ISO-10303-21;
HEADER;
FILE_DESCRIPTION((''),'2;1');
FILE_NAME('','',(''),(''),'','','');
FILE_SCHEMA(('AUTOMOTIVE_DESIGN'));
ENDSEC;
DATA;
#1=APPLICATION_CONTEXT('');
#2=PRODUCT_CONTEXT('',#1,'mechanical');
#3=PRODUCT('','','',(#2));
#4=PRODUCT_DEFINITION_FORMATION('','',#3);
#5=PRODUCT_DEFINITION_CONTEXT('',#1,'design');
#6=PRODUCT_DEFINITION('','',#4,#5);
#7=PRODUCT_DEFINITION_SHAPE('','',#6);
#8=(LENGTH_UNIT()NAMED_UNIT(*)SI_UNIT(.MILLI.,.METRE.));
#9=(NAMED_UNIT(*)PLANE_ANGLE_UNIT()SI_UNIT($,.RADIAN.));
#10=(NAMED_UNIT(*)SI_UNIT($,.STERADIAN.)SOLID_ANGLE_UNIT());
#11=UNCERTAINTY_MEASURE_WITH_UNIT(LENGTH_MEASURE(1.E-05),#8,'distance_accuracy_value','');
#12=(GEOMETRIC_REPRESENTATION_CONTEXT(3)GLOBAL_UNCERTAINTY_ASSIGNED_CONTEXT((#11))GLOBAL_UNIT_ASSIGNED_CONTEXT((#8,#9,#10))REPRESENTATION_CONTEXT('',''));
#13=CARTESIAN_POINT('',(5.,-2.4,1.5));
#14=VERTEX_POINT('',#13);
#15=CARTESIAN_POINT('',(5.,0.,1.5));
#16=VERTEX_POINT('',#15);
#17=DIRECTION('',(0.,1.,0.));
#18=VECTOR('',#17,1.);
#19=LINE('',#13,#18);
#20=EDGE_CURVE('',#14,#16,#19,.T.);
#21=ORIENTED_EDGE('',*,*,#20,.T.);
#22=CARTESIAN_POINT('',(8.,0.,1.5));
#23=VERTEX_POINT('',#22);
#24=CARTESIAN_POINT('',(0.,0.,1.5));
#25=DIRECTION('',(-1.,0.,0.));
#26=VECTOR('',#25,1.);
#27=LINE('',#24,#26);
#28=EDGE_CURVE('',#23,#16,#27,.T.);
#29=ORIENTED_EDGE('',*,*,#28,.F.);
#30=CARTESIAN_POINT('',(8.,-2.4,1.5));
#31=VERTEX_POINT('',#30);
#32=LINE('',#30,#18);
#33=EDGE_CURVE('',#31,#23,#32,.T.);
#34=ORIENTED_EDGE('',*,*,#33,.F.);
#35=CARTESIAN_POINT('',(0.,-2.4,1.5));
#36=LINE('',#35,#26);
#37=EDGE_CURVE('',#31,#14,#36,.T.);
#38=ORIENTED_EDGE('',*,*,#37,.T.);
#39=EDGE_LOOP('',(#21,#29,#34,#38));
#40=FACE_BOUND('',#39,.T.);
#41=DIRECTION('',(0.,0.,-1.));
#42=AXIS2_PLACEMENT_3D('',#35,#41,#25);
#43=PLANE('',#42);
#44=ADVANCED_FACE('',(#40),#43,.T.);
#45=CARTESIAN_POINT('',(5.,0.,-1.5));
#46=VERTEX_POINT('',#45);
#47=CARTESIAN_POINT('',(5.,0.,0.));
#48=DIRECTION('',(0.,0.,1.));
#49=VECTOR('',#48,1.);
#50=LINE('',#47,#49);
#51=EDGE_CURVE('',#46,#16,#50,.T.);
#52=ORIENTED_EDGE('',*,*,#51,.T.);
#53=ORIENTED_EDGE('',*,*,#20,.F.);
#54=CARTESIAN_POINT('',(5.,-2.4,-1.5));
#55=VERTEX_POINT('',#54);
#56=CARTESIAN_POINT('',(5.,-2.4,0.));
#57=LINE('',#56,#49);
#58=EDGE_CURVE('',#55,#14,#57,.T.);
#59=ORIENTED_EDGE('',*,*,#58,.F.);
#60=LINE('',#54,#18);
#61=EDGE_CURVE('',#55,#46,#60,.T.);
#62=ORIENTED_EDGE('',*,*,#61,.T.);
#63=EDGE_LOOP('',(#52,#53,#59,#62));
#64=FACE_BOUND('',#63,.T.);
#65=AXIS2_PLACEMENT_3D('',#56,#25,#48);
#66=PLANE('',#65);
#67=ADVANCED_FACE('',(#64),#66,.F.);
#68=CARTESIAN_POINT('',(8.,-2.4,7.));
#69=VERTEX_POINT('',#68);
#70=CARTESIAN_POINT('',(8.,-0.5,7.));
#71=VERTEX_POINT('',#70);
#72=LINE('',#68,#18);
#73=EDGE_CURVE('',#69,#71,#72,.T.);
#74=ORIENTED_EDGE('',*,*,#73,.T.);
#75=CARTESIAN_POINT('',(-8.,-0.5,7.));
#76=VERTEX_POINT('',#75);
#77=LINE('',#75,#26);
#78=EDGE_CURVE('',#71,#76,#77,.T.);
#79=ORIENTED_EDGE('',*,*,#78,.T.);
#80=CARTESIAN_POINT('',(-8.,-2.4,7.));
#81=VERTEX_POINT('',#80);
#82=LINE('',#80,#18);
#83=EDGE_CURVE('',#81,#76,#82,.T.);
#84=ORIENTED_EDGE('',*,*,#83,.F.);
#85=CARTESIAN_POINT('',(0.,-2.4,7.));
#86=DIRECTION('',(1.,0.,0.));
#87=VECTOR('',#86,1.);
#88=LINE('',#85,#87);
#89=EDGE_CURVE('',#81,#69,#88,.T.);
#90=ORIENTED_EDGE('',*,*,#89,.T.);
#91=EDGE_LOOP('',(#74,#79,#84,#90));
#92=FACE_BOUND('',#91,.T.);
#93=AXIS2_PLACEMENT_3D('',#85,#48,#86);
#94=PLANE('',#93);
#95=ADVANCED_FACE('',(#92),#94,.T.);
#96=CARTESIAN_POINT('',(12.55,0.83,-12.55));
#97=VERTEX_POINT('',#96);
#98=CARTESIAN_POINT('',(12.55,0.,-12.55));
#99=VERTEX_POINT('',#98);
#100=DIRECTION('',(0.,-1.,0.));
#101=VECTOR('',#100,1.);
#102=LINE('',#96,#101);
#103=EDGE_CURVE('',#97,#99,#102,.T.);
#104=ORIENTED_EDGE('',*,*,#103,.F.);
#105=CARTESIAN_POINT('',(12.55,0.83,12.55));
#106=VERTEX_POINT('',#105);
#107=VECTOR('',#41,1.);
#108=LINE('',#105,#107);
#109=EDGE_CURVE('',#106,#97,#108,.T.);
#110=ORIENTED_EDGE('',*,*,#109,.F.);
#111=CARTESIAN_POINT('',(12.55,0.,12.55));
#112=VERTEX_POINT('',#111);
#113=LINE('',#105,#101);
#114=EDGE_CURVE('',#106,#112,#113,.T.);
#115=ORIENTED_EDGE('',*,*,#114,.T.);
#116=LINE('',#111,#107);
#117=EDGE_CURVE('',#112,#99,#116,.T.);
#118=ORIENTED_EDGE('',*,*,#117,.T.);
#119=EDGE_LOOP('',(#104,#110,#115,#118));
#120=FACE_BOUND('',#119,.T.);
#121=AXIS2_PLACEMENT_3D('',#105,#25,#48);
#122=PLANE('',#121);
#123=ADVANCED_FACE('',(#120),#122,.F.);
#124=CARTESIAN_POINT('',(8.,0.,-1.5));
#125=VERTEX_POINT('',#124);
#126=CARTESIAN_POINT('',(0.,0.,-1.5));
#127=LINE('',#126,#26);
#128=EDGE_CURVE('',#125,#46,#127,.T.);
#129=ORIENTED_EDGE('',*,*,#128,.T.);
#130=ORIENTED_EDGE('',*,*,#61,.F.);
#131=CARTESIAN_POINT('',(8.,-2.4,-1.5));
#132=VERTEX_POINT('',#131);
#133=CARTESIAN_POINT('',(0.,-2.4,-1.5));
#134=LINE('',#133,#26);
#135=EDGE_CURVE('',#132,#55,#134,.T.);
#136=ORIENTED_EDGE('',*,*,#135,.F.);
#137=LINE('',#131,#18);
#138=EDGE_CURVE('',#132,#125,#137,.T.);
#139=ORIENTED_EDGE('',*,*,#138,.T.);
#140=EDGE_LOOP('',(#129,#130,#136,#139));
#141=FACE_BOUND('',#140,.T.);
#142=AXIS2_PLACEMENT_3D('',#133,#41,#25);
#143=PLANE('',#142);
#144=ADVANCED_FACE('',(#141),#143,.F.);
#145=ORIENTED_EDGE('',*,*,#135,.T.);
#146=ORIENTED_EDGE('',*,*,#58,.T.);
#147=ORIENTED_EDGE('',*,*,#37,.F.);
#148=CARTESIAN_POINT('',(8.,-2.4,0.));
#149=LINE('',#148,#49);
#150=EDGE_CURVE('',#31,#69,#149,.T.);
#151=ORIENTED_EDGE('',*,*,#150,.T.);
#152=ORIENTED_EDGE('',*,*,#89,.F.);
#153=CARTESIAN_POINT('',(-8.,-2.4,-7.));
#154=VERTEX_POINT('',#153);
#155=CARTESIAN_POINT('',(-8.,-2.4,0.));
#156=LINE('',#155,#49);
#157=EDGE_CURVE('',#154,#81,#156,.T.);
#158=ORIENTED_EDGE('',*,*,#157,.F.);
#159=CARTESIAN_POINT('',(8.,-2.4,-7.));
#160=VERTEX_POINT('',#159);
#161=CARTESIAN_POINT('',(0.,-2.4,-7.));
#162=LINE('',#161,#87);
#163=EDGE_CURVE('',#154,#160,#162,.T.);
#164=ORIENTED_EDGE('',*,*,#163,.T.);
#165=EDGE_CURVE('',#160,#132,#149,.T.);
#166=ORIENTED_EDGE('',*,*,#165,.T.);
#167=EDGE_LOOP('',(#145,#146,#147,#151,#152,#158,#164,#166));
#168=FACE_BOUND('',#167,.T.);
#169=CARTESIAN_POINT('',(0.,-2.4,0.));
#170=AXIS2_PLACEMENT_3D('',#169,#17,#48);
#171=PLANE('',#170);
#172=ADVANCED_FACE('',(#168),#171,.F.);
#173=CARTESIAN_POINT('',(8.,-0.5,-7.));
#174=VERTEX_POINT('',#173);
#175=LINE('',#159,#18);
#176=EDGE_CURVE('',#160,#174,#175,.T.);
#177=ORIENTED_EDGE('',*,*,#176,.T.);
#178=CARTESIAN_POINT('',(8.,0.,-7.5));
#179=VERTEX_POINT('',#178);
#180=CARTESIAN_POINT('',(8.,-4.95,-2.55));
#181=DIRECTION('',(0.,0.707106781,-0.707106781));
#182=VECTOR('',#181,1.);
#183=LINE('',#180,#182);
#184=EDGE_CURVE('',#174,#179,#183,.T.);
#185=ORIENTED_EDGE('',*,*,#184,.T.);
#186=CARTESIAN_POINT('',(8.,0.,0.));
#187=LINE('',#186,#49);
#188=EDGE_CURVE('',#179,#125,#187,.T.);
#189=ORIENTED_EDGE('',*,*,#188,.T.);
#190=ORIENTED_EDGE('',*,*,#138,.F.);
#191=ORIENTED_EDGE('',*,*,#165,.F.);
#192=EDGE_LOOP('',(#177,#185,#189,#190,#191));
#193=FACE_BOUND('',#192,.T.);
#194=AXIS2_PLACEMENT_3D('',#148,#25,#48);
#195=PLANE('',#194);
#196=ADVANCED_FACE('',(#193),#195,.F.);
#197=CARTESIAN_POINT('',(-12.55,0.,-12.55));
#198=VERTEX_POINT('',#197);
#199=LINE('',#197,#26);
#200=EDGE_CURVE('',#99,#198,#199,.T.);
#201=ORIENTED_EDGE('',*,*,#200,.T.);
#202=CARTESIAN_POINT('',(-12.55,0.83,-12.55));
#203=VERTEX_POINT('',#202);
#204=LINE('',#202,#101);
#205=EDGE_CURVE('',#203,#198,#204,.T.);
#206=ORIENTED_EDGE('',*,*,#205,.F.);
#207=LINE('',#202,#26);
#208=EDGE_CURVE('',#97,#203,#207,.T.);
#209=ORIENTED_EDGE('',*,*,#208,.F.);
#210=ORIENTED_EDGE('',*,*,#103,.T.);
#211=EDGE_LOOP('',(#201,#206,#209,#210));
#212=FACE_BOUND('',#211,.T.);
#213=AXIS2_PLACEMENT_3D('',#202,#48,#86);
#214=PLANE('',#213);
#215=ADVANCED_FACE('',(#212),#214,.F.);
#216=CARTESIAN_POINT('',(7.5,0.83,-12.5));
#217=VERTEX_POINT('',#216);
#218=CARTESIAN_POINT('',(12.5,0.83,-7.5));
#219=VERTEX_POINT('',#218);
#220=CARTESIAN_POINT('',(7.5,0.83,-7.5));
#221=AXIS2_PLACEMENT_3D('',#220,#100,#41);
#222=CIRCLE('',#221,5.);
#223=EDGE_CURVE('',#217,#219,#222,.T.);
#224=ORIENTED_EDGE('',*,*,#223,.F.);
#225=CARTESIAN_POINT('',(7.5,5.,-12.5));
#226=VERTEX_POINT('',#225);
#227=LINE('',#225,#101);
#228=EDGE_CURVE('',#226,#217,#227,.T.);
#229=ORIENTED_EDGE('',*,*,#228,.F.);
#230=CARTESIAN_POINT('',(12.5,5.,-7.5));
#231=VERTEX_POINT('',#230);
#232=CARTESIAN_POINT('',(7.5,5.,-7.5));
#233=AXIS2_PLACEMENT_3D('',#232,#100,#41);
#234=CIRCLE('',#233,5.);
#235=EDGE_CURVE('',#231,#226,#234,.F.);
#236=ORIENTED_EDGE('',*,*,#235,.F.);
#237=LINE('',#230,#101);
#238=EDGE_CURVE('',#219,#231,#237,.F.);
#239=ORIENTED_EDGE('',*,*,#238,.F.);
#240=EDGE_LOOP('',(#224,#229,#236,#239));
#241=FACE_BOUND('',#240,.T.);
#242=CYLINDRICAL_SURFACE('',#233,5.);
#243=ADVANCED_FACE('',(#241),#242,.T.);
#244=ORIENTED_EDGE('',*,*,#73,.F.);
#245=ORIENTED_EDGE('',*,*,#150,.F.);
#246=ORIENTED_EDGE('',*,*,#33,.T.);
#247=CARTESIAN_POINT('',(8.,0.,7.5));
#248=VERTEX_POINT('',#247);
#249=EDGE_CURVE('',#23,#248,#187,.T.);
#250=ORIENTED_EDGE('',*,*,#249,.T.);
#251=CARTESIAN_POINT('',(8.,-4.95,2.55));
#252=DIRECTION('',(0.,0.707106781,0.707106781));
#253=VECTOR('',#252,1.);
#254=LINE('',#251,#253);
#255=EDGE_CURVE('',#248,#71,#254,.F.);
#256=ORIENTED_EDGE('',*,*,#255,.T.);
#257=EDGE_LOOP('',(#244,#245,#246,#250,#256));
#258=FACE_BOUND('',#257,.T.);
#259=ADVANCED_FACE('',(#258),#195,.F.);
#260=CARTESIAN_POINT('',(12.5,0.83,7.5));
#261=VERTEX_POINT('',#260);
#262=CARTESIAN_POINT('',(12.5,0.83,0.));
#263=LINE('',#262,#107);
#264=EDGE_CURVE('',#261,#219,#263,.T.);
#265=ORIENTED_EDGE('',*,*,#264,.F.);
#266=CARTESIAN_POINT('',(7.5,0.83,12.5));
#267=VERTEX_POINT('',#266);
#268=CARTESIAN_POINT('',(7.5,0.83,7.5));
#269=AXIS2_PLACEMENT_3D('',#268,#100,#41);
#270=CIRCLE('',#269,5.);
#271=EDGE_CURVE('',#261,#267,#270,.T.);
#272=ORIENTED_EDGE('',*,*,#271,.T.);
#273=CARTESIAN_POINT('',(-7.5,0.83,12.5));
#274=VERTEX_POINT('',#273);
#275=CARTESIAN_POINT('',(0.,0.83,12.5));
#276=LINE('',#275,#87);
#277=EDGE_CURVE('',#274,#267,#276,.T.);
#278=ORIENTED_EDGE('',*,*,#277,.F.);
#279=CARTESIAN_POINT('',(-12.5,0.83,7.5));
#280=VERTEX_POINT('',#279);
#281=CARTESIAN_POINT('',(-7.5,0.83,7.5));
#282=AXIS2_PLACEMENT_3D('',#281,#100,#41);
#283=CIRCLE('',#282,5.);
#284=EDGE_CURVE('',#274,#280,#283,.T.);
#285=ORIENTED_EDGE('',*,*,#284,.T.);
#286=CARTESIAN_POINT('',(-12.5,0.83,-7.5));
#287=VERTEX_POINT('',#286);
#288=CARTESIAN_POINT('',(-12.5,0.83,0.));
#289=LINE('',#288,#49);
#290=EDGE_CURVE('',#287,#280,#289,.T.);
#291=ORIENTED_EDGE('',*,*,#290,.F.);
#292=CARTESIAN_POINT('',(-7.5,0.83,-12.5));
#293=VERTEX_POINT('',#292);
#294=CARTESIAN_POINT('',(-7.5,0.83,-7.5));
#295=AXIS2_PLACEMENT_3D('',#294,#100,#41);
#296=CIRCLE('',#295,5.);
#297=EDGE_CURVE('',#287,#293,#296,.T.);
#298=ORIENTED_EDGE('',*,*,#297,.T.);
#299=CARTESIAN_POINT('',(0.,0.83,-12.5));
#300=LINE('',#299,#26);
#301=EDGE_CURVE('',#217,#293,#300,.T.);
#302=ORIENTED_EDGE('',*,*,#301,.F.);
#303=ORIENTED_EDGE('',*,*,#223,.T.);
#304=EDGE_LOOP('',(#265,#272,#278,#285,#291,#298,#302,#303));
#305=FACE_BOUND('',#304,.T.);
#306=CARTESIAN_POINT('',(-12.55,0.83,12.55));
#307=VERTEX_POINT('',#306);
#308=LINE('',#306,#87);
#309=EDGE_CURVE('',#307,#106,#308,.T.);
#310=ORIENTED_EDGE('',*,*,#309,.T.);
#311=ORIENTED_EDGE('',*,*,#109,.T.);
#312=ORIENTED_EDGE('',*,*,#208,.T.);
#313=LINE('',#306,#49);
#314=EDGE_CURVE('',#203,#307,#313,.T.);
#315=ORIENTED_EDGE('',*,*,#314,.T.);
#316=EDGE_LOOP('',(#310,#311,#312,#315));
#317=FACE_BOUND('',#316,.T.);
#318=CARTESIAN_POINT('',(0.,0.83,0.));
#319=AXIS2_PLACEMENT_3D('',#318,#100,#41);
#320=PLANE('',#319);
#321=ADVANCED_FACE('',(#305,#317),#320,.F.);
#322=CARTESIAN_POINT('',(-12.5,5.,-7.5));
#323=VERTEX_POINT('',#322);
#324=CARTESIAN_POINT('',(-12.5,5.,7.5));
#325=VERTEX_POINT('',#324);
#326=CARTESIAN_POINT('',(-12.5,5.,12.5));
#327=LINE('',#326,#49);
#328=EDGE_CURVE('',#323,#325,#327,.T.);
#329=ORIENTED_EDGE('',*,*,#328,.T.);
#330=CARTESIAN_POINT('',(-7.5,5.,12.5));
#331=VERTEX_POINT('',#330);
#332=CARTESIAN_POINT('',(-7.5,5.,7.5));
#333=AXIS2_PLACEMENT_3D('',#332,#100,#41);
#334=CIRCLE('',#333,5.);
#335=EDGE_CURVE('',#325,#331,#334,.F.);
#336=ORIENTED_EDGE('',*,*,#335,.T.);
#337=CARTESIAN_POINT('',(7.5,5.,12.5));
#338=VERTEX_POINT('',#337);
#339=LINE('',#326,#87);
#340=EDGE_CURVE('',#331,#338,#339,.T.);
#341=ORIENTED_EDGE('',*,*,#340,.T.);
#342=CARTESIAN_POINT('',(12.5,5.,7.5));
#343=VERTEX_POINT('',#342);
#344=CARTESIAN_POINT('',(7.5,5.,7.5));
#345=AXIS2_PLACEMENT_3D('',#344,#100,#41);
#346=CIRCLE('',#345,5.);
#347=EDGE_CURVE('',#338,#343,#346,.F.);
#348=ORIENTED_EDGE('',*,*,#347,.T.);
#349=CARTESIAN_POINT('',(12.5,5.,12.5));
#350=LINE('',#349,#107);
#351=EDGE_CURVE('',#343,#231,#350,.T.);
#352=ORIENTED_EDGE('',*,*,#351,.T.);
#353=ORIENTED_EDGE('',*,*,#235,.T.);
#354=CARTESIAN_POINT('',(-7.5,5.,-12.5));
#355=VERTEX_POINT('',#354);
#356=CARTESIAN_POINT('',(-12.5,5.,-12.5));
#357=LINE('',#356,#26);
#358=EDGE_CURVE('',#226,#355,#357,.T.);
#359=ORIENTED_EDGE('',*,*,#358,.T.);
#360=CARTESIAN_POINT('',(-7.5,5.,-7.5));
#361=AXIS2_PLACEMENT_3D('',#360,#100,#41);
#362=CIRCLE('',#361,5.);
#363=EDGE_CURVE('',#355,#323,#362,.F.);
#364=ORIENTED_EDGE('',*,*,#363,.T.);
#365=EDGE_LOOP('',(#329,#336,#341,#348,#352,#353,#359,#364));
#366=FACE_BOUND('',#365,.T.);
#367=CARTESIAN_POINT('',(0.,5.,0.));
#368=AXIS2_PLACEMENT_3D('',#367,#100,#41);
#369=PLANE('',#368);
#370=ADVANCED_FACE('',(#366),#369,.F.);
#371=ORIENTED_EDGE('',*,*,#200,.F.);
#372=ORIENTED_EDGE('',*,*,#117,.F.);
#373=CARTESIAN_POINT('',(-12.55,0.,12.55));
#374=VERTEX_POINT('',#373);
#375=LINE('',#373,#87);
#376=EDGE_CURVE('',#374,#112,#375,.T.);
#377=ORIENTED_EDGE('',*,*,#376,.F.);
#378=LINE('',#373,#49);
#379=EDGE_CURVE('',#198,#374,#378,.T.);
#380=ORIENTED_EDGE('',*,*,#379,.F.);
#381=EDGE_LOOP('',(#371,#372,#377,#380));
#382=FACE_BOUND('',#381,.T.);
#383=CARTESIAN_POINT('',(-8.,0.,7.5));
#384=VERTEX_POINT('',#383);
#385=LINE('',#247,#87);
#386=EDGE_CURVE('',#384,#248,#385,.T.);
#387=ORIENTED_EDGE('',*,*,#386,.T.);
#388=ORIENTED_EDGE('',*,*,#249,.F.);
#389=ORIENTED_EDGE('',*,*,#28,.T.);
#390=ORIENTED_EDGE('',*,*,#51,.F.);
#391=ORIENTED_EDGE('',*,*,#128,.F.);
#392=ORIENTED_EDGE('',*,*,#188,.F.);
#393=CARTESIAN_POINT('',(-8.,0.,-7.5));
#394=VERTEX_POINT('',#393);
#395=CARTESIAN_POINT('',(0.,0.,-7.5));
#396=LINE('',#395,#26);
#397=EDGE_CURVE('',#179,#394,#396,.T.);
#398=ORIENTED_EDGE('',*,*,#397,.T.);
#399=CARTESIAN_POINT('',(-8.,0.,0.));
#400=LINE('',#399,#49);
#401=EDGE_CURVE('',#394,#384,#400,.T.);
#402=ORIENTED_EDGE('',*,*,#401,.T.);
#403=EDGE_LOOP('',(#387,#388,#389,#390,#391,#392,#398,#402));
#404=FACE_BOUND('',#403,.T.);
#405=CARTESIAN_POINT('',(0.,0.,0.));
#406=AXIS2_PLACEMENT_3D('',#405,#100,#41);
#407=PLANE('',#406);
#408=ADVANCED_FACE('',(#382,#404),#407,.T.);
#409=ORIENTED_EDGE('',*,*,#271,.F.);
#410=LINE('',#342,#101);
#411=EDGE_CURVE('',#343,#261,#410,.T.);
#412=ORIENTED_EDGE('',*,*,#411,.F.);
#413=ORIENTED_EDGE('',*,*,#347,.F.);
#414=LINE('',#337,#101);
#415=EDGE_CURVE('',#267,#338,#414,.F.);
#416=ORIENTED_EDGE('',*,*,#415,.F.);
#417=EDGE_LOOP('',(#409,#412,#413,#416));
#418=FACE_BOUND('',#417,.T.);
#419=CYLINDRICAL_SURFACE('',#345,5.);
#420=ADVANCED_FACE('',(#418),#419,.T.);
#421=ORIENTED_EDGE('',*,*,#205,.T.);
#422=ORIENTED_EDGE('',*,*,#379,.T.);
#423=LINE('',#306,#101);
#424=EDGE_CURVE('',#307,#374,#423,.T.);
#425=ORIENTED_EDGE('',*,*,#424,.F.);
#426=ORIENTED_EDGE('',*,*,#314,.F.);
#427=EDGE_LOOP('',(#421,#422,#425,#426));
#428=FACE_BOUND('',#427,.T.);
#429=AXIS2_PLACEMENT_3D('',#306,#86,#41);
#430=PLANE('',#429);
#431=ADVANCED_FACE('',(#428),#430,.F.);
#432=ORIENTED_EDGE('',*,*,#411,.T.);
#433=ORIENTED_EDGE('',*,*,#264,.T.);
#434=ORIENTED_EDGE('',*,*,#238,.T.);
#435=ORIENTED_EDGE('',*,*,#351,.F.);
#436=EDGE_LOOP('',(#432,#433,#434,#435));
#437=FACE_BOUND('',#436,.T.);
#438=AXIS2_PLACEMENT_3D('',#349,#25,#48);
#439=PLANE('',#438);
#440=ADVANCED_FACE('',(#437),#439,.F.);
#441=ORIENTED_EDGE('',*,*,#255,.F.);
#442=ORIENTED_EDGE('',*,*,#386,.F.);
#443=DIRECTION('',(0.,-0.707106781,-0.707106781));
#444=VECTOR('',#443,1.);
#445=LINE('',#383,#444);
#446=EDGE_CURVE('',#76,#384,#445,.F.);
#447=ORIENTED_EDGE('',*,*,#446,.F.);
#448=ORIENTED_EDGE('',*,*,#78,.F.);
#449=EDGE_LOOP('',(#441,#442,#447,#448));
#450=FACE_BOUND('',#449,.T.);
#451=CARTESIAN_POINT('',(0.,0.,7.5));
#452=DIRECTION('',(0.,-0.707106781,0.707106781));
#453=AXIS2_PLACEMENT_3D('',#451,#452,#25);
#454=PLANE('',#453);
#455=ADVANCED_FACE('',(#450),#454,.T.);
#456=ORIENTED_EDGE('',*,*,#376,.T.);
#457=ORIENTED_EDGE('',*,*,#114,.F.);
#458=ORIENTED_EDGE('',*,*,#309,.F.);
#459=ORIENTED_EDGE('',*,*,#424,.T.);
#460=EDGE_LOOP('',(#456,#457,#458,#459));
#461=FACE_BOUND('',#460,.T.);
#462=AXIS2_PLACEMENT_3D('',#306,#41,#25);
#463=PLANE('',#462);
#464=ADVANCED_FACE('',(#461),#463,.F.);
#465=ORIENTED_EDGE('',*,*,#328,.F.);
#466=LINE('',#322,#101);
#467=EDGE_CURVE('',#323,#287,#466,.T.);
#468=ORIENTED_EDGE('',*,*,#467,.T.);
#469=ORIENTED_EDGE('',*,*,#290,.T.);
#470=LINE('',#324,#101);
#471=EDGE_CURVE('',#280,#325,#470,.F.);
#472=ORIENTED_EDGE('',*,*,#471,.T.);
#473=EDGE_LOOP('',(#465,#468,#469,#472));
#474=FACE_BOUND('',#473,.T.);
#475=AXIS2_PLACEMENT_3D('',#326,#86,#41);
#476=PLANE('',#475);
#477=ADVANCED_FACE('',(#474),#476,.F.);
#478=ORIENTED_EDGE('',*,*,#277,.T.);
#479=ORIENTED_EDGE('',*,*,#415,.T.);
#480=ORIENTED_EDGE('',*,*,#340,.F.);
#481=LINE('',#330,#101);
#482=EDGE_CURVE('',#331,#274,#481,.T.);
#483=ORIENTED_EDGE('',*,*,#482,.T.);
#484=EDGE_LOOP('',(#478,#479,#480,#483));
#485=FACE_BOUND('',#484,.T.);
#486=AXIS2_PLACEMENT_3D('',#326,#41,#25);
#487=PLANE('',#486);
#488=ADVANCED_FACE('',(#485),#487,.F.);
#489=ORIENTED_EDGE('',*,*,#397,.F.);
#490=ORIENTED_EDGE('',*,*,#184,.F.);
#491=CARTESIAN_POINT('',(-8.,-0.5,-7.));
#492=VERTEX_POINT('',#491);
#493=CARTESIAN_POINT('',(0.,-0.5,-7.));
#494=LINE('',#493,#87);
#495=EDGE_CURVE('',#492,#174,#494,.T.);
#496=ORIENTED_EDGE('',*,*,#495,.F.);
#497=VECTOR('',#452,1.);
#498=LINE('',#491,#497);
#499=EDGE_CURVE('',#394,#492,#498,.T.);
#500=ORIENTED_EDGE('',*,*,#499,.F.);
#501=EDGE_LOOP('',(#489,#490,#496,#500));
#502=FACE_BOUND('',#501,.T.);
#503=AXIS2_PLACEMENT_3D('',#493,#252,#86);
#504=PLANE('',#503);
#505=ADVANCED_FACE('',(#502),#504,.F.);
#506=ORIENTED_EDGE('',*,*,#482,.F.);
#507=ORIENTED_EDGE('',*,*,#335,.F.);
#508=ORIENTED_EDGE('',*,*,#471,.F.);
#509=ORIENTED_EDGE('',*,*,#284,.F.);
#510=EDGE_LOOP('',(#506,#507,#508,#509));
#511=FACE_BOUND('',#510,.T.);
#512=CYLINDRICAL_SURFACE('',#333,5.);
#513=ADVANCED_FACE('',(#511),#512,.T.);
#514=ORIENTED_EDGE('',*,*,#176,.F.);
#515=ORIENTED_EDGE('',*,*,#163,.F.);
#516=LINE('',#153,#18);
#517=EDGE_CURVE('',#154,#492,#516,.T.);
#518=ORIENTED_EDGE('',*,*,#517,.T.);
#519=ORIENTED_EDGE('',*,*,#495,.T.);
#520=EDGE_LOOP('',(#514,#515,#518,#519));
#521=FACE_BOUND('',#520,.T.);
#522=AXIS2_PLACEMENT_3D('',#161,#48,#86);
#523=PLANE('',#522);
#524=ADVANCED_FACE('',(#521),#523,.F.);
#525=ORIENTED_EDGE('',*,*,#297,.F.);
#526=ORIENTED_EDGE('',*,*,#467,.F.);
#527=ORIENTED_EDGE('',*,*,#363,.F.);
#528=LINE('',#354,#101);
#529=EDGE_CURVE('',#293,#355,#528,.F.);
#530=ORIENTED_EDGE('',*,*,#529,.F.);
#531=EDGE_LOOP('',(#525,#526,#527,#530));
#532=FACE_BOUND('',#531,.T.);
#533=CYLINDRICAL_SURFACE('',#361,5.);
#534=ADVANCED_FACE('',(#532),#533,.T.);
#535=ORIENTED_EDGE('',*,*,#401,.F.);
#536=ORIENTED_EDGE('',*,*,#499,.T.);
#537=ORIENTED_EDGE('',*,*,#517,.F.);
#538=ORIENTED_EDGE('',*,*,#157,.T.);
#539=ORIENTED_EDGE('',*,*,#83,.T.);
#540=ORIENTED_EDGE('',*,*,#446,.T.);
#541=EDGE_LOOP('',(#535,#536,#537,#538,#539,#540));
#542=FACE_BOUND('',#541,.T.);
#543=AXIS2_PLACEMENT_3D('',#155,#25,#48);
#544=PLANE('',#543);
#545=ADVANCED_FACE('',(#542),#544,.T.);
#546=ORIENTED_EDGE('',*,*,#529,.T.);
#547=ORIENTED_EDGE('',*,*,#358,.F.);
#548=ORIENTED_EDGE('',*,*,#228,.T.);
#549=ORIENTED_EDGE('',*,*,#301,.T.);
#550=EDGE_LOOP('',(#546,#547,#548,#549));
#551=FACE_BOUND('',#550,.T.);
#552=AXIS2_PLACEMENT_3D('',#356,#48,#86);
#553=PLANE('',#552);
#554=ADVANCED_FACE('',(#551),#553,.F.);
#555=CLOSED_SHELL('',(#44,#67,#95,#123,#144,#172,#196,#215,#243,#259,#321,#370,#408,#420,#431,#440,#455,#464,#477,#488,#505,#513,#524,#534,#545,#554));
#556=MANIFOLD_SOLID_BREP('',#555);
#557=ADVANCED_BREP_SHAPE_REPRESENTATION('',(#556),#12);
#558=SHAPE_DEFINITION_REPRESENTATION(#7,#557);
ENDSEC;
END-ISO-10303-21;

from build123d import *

# Parameters (mm, degrees)
SKETCH1_W           = 25.1
SKETCH1_H           = 25.1
BOSS_EXTRUDE1_DEPTH = 0.83
SKETCH2_W           = 25
SKETCH2_H           = 25
BOSS_EXTRUDE2_DEPTH = 5
FILLET1_R           = 5
BOSS_EXTRUDE3_DEPTH = 2.4
CHAMFER1_SIZE       = 0.5


with BuildPart() as part:
    # Sketch1 → Boss-Extrude1 (new body)
    with BuildSketch(Plane(origin=(0, 0, 0), x_dir=(1, 0, 0), z_dir=(0, 1, 0))):
        Rectangle(SKETCH1_W, SKETCH1_H)
    extrude(amount=BOSS_EXTRUDE1_DEPTH)

    # Sketch2 → Boss-Extrude2 (add)
    with BuildSketch(Plane(origin=(0, 0, 0), x_dir=(1, 0, 0), z_dir=(0, 1, 0))):
        Rectangle(SKETCH2_W, SKETCH2_H)
    extrude(amount=BOSS_EXTRUDE2_DEPTH)

    # Fillet1
    fillet1_edges = [part.edges().sort_by_distance(p)[0] for p in [
        (12.5, 2.915, 12.5),
        (12.5, 2.915, -12.5),
        (-12.5, 2.915, -12.5),
        (-12.5, 2.915, 12.5),
    ]]
    fillet(fillet1_edges, radius=FILLET1_R)

    # Sketch3 → Boss-Extrude3 (add)
    with BuildSketch(Plane(origin=(0, 0, 0), x_dir=(1, 0, 0), z_dir=(0, 1, 0))):
        Polygon((8, 7), (-8, 7), (-8, -7), (8, -7), (8, -1.5), (5, -1.5), (5, 1.5), (8, 1.5), align=None)
    extrude(amount=-BOSS_EXTRUDE3_DEPTH)

    # Chamfer1
    chamfer1_edges = [part.edges().sort_by_distance(p)[0] for p in [
        (0, 0, -7),
        (0, 0, 7),
    ]]
    chamfer(chamfer1_edges, length=CHAMFER1_SIZE)


solid = part.part
